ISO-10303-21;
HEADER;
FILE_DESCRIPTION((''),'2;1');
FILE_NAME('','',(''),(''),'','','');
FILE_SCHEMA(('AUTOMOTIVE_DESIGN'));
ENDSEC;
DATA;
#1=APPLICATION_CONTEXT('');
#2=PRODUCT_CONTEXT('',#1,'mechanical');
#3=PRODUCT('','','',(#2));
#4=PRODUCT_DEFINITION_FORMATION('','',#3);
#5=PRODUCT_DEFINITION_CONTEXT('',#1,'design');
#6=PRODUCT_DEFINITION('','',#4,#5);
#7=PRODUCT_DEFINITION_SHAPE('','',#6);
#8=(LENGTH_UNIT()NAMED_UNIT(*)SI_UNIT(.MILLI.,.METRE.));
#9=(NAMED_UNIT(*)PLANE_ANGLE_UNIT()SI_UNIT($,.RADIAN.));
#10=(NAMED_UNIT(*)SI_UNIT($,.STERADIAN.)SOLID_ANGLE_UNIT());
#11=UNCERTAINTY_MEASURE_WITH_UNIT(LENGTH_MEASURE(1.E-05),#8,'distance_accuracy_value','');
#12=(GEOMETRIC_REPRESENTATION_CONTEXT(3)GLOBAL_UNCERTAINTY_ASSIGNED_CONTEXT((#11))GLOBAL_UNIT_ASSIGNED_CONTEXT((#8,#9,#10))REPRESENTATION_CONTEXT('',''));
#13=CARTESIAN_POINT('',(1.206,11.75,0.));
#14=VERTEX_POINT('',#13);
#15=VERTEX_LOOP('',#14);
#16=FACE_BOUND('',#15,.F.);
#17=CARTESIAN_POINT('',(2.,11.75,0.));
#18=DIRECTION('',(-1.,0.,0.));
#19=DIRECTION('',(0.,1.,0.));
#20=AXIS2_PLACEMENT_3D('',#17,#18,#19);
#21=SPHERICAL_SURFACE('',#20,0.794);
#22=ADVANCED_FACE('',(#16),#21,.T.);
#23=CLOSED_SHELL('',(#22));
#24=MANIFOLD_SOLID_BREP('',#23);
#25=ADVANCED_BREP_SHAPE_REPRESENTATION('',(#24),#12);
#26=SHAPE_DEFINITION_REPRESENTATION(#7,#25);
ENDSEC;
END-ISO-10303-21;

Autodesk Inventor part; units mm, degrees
ref_plane "YZ Plane" through (0, 0, 0) normal (1, 0, 0) x (0, 1, 0)
ref_plane "XZ Plane" through (0, 0, 0) normal (0, 1, 0) x (-1, 0, 0)
ref_plane "XY Plane" through (0, 0, 0) normal (0, 0, 1) x (1, 0, 0)
sketch "Sketch_6" plane through (0, 0, 0) normal (0, 0, 1) x (1, 0, 0)
  line L0 (2.794, 11.75) -> (1.206, 11.75)
  arc A0 (2.794, 11.75) -> (1.206, 11.75) centre (2, 11.75) ccw
  line L1 (2.794, 11.75) -> (1.206, 11.75)
  dimension "d0" = 360
revolve "Revolution1" add sketch "Sketch_6" angle 360 about axis through (2.794, 11.75, 0) along (1, 0, 0)
properties part number "W 61704-2ZS_PART3"
